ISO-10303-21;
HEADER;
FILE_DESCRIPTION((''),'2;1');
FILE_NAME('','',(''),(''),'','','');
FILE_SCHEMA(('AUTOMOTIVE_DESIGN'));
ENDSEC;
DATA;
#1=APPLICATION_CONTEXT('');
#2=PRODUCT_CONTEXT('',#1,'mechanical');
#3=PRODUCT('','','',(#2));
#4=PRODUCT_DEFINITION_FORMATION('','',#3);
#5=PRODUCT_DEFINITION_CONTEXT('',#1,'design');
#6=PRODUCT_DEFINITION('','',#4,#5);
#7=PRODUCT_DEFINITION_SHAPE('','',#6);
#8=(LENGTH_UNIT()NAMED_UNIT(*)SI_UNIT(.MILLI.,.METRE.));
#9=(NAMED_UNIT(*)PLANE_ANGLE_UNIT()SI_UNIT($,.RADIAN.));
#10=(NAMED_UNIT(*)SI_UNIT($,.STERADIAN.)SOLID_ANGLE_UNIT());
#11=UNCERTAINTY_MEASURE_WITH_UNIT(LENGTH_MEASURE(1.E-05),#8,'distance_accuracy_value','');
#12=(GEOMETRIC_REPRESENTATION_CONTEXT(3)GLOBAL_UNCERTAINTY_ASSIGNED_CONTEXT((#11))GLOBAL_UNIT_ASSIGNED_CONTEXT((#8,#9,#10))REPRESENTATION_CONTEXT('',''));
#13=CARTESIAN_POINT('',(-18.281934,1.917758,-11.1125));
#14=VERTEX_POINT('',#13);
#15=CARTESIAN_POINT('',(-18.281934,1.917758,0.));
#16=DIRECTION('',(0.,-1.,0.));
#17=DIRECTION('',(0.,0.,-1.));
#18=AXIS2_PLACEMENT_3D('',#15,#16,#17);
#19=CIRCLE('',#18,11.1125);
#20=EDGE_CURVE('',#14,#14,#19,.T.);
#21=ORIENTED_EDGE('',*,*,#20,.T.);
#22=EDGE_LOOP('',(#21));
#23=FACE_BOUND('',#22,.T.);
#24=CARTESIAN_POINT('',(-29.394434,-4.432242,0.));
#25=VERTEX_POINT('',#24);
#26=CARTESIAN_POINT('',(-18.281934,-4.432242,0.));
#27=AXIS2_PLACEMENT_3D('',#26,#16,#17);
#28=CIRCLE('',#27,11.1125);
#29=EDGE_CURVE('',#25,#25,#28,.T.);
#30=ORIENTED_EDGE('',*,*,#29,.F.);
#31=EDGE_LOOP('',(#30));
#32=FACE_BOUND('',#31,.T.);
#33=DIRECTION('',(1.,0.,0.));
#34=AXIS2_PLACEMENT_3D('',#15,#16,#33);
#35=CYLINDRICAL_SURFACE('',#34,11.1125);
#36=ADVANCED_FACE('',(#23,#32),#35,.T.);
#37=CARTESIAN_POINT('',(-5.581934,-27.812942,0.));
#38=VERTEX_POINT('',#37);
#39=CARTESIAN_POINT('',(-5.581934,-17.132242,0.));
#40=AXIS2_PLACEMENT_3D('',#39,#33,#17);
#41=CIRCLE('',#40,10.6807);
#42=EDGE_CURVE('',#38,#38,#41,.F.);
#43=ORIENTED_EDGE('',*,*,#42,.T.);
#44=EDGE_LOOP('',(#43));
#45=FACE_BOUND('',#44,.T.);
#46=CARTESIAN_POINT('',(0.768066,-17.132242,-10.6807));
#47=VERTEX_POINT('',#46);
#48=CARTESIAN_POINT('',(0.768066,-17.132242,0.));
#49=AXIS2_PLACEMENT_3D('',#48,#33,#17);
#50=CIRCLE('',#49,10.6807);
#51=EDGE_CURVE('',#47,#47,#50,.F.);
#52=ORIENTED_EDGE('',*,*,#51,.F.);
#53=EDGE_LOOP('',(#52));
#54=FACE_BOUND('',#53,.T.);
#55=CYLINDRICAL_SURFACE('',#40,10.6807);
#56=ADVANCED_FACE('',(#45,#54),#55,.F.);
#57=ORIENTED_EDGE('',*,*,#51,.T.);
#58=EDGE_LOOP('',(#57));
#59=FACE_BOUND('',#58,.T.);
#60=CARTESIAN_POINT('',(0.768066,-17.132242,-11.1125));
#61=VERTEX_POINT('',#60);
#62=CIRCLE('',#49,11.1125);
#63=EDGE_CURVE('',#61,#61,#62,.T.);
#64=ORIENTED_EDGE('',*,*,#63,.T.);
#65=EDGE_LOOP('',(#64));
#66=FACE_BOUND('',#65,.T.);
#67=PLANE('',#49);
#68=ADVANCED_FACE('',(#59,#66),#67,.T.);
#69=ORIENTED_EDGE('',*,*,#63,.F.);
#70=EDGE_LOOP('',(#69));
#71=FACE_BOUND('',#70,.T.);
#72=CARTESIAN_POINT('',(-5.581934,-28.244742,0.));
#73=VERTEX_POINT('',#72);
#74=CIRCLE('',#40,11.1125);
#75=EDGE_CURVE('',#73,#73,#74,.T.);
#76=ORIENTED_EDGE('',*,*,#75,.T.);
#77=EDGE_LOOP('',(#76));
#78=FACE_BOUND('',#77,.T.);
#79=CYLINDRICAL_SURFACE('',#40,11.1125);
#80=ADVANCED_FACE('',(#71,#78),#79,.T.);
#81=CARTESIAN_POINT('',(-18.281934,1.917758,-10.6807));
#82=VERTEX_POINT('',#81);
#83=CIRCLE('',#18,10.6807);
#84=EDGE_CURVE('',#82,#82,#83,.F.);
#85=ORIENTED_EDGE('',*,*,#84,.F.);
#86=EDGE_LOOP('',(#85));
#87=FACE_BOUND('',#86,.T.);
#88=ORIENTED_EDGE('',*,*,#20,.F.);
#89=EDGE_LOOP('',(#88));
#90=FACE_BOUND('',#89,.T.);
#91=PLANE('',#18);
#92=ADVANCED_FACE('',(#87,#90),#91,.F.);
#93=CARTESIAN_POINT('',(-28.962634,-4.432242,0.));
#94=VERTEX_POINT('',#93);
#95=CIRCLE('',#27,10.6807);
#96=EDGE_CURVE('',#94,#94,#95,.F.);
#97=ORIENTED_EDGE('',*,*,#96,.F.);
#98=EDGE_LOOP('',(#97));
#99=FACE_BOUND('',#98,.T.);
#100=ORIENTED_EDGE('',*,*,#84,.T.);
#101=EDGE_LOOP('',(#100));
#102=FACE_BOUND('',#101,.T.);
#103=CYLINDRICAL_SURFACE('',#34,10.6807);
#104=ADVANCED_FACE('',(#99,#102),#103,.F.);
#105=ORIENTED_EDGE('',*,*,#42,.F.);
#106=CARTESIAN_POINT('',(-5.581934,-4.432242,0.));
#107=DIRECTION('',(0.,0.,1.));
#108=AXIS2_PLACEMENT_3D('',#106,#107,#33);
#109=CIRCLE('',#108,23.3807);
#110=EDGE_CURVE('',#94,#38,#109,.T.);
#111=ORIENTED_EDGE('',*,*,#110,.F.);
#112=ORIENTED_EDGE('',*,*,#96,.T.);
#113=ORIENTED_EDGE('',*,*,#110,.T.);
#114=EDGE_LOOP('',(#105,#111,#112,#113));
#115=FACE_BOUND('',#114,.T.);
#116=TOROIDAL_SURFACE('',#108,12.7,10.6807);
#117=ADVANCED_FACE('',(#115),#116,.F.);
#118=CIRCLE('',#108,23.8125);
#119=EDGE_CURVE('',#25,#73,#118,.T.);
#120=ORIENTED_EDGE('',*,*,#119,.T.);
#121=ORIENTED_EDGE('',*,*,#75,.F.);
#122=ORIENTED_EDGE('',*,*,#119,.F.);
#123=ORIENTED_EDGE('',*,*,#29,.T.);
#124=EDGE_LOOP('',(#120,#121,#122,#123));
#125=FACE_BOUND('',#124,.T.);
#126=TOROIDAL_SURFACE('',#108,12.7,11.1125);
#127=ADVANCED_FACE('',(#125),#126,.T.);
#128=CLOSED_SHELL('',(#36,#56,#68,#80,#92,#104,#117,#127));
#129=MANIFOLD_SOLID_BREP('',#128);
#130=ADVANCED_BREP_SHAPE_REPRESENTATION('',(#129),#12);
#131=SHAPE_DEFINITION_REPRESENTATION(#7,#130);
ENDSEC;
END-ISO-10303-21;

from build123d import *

# Parameters (mm, degrees)
SKETCH2_R   = 11.1125
SKETCH2_R_2 = 10.6807


with BuildPart() as part:
    # Sweep1: sweep along a path in Sketch1
    with BuildLine(Plane.XY) as sweep1_path:
        Line((-18.281933638, 1.917757526), (-18.281933638, -4.432242474))
        ThreePointArc((-18.281933638, -4.432242474), (-14.562189759, -13.412498595), (-5.581933638, -17.132242474))
        Line((-5.581933638, -17.132242474), (0.768066362, -17.132242474))
    # Sketch2 → Sweep1 (sweep)
    with BuildSketch(Plane(origin=(0.768066362, -17.132242474, 0), x_dir=(0, 0, -1), z_dir=(1, 0, 0))):
        Circle(SKETCH2_R)
        Circle(SKETCH2_R_2, mode=Mode.SUBTRACT)
    sweep(path=sweep1_path.line)


solid = part.part
